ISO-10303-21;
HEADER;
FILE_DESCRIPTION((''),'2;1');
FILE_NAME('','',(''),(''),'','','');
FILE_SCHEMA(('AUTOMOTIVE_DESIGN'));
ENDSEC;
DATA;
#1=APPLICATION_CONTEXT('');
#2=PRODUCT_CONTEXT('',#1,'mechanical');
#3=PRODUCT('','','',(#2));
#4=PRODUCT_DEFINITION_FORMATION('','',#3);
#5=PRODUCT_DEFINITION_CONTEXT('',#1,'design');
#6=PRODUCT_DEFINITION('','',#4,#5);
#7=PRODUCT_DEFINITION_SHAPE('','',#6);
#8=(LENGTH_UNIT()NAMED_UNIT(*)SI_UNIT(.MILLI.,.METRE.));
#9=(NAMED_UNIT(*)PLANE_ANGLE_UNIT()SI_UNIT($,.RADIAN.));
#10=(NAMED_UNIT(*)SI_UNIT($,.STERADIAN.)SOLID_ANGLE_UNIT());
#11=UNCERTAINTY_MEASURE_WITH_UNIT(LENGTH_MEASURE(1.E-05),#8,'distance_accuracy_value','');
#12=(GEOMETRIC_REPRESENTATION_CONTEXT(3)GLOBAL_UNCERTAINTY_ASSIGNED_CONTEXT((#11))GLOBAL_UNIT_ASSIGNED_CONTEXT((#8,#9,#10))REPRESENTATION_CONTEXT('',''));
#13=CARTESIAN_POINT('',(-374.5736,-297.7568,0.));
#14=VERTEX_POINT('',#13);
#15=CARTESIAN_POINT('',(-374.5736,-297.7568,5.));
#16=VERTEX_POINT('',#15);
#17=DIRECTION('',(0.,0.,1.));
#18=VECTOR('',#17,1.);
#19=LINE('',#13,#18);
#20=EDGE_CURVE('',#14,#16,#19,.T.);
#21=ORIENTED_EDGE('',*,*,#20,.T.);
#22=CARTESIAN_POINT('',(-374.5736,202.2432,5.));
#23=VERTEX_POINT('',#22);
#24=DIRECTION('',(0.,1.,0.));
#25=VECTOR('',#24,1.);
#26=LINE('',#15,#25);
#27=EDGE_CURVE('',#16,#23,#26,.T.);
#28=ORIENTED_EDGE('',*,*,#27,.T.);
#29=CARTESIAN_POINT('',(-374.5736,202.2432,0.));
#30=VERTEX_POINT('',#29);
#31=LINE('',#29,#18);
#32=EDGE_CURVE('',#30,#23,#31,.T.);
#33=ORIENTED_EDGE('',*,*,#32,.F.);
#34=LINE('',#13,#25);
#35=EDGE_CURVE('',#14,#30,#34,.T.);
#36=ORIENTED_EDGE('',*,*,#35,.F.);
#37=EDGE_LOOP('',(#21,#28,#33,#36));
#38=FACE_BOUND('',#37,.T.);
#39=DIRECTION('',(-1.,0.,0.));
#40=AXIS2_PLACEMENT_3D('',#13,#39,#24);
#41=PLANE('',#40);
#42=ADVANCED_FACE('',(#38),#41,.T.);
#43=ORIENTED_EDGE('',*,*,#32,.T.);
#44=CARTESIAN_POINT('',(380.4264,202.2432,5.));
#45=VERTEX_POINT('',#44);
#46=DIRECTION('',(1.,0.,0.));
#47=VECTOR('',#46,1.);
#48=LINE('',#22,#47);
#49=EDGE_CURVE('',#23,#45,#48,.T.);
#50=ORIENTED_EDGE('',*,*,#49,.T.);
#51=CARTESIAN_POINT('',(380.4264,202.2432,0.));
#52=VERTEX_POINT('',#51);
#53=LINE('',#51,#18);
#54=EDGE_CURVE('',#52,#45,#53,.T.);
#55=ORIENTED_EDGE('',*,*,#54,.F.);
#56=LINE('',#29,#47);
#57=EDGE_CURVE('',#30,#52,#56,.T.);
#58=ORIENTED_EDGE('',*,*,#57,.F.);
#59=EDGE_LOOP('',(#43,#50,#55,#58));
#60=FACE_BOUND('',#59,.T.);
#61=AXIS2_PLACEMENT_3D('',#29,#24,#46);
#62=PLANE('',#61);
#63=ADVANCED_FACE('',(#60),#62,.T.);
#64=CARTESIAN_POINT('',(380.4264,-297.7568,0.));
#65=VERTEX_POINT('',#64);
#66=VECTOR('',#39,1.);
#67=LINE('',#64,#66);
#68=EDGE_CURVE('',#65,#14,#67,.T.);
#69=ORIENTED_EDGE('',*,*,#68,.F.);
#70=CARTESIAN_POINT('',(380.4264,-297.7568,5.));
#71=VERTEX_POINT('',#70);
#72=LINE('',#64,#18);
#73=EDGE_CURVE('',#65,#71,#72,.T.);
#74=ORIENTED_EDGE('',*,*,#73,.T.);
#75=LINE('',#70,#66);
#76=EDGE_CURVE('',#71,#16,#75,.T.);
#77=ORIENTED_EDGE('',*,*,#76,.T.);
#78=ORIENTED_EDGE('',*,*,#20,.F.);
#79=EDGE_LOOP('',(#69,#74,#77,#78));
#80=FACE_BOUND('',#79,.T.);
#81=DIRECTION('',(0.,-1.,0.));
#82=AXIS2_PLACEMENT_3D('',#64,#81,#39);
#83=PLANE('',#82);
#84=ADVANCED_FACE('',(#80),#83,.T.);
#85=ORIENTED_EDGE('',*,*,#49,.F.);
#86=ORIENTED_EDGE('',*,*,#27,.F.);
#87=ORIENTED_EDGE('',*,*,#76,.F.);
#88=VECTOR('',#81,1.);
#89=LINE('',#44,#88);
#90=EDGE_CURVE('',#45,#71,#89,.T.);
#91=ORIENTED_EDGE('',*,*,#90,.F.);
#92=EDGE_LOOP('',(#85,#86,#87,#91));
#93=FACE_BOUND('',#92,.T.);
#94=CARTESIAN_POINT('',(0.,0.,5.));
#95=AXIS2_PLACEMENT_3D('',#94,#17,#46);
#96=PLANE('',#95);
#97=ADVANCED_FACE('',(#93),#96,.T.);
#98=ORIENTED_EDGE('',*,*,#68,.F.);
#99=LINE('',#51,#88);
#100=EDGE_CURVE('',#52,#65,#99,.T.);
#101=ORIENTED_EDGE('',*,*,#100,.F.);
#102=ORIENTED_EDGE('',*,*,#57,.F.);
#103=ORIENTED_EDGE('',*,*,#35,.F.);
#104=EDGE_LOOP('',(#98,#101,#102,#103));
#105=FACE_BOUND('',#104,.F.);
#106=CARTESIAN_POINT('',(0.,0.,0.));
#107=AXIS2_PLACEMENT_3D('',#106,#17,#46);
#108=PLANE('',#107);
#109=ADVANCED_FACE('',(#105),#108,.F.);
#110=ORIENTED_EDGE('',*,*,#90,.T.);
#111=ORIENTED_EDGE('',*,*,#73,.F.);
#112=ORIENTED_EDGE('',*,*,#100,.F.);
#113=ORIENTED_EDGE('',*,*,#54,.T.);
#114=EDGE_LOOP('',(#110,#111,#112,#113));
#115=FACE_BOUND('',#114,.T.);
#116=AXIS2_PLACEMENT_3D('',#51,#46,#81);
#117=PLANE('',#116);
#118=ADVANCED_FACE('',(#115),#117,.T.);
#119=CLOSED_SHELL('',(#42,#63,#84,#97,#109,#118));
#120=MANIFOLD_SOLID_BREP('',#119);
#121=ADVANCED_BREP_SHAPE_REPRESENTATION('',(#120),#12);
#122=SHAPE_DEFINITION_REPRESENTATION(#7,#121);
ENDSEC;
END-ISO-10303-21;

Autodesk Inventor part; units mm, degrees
ref_plane "YZ Plane" through (0, 0, 0) normal (1, 0, 0) x (0, 1, 0)
ref_plane "XZ Plane" through (0, 0, 0) normal (0, 1, 0) x (-1, 0, 0)
ref_plane "XY Plane" through (0, 0, 0) normal (0, 0, 1) x (1, 0, 0)
sketch "草图1" plane through (0, 0, 0) normal (0, 0, 1) x (1, 0, 0)
  line L0 (-374.5736, 202.2432) -> (380.4264, 202.2432)
  line L1 (380.4264, 202.2432) -> (380.4264, -297.7568)
  line L2 (380.4264, -297.7568) -> (-374.5736, -297.7568)
  line L3 (-374.5736, -297.7568) -> (-374.5736, 202.2432)
  point P0 (0, 0)
  dimension "d0" = 755
  dimension "d1" = 500
extrude "拉伸1" add sketch "草图1" along normal blind 5
properties part number "Black Glass Piece" material "玻璃"
